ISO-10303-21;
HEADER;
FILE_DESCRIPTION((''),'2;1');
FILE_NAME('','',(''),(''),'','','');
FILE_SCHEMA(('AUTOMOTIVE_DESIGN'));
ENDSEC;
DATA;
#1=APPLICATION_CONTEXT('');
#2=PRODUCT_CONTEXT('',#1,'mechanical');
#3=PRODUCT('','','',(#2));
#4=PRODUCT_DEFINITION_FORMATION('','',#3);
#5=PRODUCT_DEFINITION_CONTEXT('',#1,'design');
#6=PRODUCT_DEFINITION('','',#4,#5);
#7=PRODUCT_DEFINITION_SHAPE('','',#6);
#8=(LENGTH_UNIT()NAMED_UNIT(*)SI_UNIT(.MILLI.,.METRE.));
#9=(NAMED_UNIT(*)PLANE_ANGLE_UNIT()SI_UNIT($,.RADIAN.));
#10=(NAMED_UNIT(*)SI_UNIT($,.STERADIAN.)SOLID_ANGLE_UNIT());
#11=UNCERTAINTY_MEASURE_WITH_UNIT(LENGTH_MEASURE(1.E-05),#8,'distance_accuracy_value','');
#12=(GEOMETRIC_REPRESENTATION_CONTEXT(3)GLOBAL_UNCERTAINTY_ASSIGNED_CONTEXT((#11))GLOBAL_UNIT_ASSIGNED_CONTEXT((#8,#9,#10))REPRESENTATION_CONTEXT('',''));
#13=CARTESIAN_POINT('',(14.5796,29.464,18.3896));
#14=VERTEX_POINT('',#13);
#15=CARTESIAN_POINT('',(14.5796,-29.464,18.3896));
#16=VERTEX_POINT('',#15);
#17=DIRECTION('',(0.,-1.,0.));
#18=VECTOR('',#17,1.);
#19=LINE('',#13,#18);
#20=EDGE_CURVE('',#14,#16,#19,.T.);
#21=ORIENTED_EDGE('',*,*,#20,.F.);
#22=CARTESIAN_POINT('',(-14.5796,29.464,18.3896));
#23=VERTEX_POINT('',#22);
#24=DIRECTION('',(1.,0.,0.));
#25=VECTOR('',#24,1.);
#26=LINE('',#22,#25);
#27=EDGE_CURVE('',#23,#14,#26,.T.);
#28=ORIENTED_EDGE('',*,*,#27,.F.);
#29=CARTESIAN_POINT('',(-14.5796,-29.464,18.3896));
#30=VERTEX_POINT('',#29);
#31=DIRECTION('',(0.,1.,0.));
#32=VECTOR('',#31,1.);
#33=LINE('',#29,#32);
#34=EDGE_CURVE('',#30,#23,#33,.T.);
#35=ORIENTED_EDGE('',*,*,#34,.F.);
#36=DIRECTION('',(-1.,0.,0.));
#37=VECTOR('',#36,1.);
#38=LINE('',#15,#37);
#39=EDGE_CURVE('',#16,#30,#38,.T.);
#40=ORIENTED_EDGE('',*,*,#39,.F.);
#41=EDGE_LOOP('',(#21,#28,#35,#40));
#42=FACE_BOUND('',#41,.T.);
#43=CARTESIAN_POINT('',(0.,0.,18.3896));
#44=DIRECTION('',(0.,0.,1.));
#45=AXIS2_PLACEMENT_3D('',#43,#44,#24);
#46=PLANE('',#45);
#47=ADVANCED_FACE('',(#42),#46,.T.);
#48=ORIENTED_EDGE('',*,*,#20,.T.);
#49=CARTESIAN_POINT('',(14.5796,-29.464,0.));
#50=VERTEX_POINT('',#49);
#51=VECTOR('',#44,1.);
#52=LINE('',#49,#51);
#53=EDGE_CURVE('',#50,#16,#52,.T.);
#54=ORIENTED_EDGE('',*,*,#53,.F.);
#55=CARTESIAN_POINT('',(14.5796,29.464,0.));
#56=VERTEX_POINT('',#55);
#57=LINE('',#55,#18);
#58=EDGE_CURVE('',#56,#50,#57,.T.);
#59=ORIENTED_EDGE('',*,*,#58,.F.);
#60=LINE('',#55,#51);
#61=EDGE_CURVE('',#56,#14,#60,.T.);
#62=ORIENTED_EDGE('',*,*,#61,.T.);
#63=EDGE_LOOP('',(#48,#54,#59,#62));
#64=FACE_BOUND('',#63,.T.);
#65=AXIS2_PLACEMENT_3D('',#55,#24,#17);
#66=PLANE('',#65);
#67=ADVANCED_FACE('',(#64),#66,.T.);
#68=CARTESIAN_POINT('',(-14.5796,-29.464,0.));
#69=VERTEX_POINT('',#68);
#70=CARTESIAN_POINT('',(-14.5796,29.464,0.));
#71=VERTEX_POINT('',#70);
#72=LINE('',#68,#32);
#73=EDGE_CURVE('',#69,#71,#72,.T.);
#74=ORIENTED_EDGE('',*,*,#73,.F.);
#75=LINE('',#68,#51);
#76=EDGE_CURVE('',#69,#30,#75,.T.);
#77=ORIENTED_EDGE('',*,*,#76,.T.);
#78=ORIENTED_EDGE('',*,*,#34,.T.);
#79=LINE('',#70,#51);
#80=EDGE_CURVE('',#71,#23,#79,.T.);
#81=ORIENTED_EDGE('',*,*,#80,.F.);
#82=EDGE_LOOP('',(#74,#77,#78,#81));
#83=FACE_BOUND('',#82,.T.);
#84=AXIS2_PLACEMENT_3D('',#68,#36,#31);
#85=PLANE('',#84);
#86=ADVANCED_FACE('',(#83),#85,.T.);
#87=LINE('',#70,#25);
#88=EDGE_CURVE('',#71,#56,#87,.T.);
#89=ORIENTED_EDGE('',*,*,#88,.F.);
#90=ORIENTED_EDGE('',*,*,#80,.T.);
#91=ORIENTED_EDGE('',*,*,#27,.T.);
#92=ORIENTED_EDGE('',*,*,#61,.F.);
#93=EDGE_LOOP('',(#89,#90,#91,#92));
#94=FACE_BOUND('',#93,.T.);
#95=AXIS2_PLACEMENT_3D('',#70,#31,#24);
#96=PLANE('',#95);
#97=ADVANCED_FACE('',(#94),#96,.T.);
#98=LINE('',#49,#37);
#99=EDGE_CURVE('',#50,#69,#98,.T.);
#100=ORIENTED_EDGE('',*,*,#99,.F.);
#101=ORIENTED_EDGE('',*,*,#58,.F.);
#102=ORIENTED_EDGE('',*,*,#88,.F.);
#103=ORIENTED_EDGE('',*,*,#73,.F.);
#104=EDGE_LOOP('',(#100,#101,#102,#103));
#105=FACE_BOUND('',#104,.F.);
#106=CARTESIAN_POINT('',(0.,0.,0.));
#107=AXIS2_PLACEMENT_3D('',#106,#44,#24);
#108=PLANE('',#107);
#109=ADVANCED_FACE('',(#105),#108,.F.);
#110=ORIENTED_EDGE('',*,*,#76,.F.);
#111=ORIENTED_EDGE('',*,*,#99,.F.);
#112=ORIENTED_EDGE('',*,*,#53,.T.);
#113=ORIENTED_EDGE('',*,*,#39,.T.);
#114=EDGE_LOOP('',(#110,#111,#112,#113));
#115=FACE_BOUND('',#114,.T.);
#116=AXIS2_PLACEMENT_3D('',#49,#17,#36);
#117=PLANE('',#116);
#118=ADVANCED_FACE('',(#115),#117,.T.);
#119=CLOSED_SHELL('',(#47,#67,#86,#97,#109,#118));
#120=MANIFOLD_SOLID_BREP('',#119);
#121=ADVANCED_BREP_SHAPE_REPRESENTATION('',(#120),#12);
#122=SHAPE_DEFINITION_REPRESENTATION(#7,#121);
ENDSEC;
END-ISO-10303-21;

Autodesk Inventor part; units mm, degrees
ref_plane "YZ Plane" through (0, 0, 0) normal (1, 0, 0) x (0, 1, 0)
ref_plane "XZ Plane" through (0, 0, 0) normal (0, 1, 0) x (-1, 0, 0)
ref_plane "XY Plane" through (0, 0, 0) normal (0, 0, 1) x (1, 0, 0)
sketch "Sketch1" plane through (0, 0, 0) normal (0, 0, 1) x (1, 0, 0)
  line L0 (-14.5796, 29.464) -> (14.5796, 29.464)
  line L1 (14.5796, 29.464) -> (14.5796, -29.464)
  line L2 (14.5796, -29.464) -> (-14.5796, -29.464)
  line L3 (-14.5796, -29.464) -> (-14.5796, 29.464)
  line L4 (-14.5796, 29.464) -> (14.5796, -29.464) construction
  line L5 (14.5796, 29.464) -> (-14.5796, -29.464) construction
  point P0 (0, 0)
  dimension "d0" = 29.1592
  dimension "d1" = 58.928
extrude "Extrusion1" add sketch "Sketch1" along normal blind 18.3896
properties part number "Battery"
